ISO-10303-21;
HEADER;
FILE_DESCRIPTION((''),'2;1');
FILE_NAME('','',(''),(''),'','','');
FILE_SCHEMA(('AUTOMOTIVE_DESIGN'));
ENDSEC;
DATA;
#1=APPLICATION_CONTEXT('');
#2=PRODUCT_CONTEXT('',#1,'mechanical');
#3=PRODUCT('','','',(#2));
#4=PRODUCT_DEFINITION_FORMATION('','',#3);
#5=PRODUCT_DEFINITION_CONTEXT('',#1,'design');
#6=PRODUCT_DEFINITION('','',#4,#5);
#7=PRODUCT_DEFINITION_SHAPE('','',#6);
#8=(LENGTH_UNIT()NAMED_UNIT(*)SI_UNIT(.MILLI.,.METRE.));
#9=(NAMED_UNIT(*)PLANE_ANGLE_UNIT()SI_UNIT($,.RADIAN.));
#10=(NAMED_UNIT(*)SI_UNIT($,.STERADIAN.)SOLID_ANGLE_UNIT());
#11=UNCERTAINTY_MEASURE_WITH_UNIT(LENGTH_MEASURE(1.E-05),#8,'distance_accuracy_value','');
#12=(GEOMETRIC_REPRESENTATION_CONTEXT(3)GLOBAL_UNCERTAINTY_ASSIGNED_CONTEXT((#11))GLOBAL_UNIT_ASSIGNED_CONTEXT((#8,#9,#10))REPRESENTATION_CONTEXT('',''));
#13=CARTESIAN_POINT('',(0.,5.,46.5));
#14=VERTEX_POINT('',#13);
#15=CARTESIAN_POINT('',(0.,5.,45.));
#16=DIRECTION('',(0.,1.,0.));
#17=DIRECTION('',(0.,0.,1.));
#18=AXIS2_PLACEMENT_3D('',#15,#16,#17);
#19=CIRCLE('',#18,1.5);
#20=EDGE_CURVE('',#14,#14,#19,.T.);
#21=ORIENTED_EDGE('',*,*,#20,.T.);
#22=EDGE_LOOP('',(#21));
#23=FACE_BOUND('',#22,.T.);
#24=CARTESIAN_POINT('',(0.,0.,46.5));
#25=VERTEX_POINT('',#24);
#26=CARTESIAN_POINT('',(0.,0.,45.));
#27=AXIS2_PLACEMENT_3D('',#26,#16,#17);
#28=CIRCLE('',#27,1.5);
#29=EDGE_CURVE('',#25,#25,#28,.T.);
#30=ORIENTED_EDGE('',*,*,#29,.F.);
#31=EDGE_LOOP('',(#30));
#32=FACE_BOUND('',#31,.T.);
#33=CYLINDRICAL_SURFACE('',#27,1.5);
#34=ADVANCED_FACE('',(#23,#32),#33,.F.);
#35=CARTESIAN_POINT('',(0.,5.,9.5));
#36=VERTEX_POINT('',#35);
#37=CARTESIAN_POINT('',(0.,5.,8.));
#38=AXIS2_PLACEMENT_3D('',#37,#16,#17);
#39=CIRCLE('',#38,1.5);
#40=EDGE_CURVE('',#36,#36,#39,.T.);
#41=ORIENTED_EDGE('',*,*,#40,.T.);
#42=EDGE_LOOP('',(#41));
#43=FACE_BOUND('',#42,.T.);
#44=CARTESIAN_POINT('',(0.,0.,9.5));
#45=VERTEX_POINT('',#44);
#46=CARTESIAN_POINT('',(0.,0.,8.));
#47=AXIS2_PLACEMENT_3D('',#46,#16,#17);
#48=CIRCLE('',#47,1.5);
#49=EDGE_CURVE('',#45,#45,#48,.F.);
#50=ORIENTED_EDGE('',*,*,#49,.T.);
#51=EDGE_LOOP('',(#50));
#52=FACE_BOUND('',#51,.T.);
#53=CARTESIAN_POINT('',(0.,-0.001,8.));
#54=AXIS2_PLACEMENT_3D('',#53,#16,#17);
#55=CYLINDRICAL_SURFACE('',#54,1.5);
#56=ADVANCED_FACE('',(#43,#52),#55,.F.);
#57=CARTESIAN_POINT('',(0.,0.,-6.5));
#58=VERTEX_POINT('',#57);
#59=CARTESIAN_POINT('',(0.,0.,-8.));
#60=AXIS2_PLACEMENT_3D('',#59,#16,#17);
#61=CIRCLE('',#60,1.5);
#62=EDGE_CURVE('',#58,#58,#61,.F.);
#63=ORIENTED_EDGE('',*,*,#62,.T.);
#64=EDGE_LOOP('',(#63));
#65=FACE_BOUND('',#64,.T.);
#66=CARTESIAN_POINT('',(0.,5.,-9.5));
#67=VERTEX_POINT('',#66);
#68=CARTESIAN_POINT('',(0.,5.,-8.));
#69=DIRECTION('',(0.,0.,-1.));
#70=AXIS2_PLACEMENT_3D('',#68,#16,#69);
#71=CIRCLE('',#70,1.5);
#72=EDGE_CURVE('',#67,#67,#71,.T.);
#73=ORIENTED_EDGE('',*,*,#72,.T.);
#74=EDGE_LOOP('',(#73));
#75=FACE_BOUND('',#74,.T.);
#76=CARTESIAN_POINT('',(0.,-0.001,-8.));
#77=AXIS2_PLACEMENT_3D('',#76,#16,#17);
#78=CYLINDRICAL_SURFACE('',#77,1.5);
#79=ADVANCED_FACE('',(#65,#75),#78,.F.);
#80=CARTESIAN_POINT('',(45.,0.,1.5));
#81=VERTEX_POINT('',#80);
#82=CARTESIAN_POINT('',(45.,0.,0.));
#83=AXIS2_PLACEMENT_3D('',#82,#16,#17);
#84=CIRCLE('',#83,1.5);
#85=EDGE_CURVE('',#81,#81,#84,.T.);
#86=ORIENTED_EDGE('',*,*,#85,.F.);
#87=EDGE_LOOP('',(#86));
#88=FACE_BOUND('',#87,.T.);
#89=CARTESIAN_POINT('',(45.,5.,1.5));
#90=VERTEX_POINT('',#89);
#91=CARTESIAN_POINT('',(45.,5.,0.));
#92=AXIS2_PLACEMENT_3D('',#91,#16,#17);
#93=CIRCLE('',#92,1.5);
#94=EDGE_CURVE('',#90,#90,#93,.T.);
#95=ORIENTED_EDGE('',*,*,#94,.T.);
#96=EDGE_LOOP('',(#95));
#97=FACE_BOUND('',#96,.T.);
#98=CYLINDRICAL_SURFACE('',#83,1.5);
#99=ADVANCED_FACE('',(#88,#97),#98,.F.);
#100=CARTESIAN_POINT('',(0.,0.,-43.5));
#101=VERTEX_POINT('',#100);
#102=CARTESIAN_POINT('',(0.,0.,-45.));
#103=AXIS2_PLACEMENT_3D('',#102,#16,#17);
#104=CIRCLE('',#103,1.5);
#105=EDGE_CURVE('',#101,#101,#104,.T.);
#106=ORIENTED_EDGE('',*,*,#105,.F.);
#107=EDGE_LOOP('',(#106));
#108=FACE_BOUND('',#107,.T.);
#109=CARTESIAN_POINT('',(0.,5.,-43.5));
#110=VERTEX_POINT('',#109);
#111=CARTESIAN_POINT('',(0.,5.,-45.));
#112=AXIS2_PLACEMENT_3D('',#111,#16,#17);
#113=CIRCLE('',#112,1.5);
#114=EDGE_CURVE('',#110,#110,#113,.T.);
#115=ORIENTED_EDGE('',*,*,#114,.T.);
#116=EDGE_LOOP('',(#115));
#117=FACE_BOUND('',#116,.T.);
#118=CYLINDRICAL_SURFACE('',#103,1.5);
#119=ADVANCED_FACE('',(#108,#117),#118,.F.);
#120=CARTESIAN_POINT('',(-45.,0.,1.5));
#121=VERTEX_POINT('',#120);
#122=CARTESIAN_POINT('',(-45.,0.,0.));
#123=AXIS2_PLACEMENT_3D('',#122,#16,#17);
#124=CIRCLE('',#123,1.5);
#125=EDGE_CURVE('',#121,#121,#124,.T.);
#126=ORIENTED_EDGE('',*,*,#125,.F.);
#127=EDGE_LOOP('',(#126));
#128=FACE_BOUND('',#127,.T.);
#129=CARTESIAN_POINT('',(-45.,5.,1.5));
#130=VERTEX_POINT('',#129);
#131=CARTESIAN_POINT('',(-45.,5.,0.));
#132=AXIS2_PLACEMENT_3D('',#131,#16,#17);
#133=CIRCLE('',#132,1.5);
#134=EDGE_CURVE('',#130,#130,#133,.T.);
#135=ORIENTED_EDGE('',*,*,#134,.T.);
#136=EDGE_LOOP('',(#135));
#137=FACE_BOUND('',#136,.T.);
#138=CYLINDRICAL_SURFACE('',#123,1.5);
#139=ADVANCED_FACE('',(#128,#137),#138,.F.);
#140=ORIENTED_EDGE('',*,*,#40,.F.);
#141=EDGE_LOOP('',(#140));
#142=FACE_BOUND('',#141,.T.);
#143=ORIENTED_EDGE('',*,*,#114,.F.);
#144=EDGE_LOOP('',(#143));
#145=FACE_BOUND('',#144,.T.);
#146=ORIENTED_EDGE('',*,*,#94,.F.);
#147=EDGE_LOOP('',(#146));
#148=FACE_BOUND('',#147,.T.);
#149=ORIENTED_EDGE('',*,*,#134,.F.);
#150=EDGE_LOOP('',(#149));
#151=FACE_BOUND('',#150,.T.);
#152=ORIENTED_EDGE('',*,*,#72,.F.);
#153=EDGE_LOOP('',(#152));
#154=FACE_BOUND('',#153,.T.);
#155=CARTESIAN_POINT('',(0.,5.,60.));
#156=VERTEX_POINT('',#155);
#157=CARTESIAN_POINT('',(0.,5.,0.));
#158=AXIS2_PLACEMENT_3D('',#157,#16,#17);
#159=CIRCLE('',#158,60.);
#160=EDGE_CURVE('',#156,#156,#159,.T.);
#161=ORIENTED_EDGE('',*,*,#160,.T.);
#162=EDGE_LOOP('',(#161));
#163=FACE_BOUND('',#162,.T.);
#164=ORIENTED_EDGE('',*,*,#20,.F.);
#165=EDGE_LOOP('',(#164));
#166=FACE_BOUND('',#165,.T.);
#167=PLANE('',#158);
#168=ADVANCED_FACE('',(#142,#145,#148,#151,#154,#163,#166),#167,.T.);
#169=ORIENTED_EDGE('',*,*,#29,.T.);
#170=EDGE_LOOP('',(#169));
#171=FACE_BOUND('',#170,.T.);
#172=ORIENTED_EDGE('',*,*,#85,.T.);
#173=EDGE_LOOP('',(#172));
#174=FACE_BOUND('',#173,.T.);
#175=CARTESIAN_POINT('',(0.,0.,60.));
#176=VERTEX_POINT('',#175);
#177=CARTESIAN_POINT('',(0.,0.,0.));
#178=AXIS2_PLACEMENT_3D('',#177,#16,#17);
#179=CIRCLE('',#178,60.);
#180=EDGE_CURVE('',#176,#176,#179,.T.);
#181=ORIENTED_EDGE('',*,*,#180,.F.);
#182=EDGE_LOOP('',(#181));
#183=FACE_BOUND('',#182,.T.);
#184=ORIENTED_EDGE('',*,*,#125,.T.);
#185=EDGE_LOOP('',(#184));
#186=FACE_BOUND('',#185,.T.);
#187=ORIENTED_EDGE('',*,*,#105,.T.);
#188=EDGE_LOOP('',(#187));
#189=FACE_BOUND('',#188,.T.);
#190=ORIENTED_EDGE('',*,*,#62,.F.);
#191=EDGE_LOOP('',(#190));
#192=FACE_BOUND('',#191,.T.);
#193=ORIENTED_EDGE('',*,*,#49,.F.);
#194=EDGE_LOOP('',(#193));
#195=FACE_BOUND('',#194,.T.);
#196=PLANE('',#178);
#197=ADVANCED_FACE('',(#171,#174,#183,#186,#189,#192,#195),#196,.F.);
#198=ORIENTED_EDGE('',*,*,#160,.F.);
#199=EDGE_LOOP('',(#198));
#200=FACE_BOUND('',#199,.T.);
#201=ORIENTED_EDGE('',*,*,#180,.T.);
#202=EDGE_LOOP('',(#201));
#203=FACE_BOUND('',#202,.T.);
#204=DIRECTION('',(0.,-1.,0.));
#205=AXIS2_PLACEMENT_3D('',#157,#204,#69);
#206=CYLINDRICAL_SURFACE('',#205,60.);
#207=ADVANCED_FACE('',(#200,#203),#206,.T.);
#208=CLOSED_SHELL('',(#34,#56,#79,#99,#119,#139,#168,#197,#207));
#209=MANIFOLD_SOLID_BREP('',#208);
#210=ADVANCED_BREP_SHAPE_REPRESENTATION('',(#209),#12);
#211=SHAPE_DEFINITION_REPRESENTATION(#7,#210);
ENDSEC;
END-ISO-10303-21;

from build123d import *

# Parameters (mm, degrees)
SKETCH1_R           = 60
BOSS_EXTRUDE1_DEPTH = 5
SKETCH2_R           = 1.5
CUT_EXTRUDE1_DEPTH  = 5
CUT_EXTRUDE2_REACH  = 87
SKETCH3_R           = 1.5


with BuildPart() as part:
    # Sketch1 → Boss-Extrude1 (new body)
    with BuildSketch(Plane(origin=(0, 0, 0), x_dir=(1, 0, 0), z_dir=(0, 1, 0))):
        with Locations(Location((0, 0, 0), (0, 0, 270))):
            Circle(SKETCH1_R)
    extrude(amount=BOSS_EXTRUDE1_DEPTH)

    # Sketch2 → Cut-Extrude1 (cut)
    with BuildSketch(Plane(origin=(0, 5, 0), x_dir=(1, 0, 0), z_dir=(0, 1, 0))):
        with Locations(Location((45, 0, 0), (0, 0, 270))):
            Circle(SKETCH2_R)
        with Locations(Location((0, -45, 0), (0, 0, 270))):
            Circle(SKETCH2_R)
        with Locations(Location((-45, 0, 0), (0, 0, 270))):
            Circle(SKETCH2_R)
        with Locations(Location((0, 45, 0), (0, 0, 270))):
            Circle(SKETCH2_R)
    extrude(amount=-CUT_EXTRUDE1_DEPTH, mode=Mode.SUBTRACT)

    # Sketch3 → Cut-Extrude2 (cut, up to next)
    with BuildSketch(Plane(origin=(0, 5, 0), x_dir=(1, 0, 0), z_dir=(0, 1, 0)), mode=Mode.PRIVATE) as cut_extrude2_sk1:
        with Locations(Location((0, -8, 0), (0, 0, 270))):
            Circle(SKETCH3_R)
    cut_extrude2_tool1 = extrude(cut_extrude2_sk1.sketch, amount=-CUT_EXTRUDE2_REACH, mode=Mode.PRIVATE) & part.part
    # Sketch3 → Cut-Extrude2 (cut, up to next)
    with BuildSketch(Plane(origin=(0, 5, 0), x_dir=(1, 0, 0), z_dir=(0, 1, 0)), mode=Mode.PRIVATE) as cut_extrude2_sk2:
        with Locations(Location((0, 8, 0), (0, 0, 270))):
            Circle(SKETCH3_R)
    cut_extrude2_tool2 = extrude(cut_extrude2_sk2.sketch, amount=-CUT_EXTRUDE2_REACH, mode=Mode.PRIVATE) & part.part
    add(cut_extrude2_tool1.solids().sort_by_distance((0, 5, 8))[0], mode=Mode.SUBTRACT)
    add(cut_extrude2_tool2.solids().sort_by_distance((0, 5, -8))[0], mode=Mode.SUBTRACT)


solid = part.part
